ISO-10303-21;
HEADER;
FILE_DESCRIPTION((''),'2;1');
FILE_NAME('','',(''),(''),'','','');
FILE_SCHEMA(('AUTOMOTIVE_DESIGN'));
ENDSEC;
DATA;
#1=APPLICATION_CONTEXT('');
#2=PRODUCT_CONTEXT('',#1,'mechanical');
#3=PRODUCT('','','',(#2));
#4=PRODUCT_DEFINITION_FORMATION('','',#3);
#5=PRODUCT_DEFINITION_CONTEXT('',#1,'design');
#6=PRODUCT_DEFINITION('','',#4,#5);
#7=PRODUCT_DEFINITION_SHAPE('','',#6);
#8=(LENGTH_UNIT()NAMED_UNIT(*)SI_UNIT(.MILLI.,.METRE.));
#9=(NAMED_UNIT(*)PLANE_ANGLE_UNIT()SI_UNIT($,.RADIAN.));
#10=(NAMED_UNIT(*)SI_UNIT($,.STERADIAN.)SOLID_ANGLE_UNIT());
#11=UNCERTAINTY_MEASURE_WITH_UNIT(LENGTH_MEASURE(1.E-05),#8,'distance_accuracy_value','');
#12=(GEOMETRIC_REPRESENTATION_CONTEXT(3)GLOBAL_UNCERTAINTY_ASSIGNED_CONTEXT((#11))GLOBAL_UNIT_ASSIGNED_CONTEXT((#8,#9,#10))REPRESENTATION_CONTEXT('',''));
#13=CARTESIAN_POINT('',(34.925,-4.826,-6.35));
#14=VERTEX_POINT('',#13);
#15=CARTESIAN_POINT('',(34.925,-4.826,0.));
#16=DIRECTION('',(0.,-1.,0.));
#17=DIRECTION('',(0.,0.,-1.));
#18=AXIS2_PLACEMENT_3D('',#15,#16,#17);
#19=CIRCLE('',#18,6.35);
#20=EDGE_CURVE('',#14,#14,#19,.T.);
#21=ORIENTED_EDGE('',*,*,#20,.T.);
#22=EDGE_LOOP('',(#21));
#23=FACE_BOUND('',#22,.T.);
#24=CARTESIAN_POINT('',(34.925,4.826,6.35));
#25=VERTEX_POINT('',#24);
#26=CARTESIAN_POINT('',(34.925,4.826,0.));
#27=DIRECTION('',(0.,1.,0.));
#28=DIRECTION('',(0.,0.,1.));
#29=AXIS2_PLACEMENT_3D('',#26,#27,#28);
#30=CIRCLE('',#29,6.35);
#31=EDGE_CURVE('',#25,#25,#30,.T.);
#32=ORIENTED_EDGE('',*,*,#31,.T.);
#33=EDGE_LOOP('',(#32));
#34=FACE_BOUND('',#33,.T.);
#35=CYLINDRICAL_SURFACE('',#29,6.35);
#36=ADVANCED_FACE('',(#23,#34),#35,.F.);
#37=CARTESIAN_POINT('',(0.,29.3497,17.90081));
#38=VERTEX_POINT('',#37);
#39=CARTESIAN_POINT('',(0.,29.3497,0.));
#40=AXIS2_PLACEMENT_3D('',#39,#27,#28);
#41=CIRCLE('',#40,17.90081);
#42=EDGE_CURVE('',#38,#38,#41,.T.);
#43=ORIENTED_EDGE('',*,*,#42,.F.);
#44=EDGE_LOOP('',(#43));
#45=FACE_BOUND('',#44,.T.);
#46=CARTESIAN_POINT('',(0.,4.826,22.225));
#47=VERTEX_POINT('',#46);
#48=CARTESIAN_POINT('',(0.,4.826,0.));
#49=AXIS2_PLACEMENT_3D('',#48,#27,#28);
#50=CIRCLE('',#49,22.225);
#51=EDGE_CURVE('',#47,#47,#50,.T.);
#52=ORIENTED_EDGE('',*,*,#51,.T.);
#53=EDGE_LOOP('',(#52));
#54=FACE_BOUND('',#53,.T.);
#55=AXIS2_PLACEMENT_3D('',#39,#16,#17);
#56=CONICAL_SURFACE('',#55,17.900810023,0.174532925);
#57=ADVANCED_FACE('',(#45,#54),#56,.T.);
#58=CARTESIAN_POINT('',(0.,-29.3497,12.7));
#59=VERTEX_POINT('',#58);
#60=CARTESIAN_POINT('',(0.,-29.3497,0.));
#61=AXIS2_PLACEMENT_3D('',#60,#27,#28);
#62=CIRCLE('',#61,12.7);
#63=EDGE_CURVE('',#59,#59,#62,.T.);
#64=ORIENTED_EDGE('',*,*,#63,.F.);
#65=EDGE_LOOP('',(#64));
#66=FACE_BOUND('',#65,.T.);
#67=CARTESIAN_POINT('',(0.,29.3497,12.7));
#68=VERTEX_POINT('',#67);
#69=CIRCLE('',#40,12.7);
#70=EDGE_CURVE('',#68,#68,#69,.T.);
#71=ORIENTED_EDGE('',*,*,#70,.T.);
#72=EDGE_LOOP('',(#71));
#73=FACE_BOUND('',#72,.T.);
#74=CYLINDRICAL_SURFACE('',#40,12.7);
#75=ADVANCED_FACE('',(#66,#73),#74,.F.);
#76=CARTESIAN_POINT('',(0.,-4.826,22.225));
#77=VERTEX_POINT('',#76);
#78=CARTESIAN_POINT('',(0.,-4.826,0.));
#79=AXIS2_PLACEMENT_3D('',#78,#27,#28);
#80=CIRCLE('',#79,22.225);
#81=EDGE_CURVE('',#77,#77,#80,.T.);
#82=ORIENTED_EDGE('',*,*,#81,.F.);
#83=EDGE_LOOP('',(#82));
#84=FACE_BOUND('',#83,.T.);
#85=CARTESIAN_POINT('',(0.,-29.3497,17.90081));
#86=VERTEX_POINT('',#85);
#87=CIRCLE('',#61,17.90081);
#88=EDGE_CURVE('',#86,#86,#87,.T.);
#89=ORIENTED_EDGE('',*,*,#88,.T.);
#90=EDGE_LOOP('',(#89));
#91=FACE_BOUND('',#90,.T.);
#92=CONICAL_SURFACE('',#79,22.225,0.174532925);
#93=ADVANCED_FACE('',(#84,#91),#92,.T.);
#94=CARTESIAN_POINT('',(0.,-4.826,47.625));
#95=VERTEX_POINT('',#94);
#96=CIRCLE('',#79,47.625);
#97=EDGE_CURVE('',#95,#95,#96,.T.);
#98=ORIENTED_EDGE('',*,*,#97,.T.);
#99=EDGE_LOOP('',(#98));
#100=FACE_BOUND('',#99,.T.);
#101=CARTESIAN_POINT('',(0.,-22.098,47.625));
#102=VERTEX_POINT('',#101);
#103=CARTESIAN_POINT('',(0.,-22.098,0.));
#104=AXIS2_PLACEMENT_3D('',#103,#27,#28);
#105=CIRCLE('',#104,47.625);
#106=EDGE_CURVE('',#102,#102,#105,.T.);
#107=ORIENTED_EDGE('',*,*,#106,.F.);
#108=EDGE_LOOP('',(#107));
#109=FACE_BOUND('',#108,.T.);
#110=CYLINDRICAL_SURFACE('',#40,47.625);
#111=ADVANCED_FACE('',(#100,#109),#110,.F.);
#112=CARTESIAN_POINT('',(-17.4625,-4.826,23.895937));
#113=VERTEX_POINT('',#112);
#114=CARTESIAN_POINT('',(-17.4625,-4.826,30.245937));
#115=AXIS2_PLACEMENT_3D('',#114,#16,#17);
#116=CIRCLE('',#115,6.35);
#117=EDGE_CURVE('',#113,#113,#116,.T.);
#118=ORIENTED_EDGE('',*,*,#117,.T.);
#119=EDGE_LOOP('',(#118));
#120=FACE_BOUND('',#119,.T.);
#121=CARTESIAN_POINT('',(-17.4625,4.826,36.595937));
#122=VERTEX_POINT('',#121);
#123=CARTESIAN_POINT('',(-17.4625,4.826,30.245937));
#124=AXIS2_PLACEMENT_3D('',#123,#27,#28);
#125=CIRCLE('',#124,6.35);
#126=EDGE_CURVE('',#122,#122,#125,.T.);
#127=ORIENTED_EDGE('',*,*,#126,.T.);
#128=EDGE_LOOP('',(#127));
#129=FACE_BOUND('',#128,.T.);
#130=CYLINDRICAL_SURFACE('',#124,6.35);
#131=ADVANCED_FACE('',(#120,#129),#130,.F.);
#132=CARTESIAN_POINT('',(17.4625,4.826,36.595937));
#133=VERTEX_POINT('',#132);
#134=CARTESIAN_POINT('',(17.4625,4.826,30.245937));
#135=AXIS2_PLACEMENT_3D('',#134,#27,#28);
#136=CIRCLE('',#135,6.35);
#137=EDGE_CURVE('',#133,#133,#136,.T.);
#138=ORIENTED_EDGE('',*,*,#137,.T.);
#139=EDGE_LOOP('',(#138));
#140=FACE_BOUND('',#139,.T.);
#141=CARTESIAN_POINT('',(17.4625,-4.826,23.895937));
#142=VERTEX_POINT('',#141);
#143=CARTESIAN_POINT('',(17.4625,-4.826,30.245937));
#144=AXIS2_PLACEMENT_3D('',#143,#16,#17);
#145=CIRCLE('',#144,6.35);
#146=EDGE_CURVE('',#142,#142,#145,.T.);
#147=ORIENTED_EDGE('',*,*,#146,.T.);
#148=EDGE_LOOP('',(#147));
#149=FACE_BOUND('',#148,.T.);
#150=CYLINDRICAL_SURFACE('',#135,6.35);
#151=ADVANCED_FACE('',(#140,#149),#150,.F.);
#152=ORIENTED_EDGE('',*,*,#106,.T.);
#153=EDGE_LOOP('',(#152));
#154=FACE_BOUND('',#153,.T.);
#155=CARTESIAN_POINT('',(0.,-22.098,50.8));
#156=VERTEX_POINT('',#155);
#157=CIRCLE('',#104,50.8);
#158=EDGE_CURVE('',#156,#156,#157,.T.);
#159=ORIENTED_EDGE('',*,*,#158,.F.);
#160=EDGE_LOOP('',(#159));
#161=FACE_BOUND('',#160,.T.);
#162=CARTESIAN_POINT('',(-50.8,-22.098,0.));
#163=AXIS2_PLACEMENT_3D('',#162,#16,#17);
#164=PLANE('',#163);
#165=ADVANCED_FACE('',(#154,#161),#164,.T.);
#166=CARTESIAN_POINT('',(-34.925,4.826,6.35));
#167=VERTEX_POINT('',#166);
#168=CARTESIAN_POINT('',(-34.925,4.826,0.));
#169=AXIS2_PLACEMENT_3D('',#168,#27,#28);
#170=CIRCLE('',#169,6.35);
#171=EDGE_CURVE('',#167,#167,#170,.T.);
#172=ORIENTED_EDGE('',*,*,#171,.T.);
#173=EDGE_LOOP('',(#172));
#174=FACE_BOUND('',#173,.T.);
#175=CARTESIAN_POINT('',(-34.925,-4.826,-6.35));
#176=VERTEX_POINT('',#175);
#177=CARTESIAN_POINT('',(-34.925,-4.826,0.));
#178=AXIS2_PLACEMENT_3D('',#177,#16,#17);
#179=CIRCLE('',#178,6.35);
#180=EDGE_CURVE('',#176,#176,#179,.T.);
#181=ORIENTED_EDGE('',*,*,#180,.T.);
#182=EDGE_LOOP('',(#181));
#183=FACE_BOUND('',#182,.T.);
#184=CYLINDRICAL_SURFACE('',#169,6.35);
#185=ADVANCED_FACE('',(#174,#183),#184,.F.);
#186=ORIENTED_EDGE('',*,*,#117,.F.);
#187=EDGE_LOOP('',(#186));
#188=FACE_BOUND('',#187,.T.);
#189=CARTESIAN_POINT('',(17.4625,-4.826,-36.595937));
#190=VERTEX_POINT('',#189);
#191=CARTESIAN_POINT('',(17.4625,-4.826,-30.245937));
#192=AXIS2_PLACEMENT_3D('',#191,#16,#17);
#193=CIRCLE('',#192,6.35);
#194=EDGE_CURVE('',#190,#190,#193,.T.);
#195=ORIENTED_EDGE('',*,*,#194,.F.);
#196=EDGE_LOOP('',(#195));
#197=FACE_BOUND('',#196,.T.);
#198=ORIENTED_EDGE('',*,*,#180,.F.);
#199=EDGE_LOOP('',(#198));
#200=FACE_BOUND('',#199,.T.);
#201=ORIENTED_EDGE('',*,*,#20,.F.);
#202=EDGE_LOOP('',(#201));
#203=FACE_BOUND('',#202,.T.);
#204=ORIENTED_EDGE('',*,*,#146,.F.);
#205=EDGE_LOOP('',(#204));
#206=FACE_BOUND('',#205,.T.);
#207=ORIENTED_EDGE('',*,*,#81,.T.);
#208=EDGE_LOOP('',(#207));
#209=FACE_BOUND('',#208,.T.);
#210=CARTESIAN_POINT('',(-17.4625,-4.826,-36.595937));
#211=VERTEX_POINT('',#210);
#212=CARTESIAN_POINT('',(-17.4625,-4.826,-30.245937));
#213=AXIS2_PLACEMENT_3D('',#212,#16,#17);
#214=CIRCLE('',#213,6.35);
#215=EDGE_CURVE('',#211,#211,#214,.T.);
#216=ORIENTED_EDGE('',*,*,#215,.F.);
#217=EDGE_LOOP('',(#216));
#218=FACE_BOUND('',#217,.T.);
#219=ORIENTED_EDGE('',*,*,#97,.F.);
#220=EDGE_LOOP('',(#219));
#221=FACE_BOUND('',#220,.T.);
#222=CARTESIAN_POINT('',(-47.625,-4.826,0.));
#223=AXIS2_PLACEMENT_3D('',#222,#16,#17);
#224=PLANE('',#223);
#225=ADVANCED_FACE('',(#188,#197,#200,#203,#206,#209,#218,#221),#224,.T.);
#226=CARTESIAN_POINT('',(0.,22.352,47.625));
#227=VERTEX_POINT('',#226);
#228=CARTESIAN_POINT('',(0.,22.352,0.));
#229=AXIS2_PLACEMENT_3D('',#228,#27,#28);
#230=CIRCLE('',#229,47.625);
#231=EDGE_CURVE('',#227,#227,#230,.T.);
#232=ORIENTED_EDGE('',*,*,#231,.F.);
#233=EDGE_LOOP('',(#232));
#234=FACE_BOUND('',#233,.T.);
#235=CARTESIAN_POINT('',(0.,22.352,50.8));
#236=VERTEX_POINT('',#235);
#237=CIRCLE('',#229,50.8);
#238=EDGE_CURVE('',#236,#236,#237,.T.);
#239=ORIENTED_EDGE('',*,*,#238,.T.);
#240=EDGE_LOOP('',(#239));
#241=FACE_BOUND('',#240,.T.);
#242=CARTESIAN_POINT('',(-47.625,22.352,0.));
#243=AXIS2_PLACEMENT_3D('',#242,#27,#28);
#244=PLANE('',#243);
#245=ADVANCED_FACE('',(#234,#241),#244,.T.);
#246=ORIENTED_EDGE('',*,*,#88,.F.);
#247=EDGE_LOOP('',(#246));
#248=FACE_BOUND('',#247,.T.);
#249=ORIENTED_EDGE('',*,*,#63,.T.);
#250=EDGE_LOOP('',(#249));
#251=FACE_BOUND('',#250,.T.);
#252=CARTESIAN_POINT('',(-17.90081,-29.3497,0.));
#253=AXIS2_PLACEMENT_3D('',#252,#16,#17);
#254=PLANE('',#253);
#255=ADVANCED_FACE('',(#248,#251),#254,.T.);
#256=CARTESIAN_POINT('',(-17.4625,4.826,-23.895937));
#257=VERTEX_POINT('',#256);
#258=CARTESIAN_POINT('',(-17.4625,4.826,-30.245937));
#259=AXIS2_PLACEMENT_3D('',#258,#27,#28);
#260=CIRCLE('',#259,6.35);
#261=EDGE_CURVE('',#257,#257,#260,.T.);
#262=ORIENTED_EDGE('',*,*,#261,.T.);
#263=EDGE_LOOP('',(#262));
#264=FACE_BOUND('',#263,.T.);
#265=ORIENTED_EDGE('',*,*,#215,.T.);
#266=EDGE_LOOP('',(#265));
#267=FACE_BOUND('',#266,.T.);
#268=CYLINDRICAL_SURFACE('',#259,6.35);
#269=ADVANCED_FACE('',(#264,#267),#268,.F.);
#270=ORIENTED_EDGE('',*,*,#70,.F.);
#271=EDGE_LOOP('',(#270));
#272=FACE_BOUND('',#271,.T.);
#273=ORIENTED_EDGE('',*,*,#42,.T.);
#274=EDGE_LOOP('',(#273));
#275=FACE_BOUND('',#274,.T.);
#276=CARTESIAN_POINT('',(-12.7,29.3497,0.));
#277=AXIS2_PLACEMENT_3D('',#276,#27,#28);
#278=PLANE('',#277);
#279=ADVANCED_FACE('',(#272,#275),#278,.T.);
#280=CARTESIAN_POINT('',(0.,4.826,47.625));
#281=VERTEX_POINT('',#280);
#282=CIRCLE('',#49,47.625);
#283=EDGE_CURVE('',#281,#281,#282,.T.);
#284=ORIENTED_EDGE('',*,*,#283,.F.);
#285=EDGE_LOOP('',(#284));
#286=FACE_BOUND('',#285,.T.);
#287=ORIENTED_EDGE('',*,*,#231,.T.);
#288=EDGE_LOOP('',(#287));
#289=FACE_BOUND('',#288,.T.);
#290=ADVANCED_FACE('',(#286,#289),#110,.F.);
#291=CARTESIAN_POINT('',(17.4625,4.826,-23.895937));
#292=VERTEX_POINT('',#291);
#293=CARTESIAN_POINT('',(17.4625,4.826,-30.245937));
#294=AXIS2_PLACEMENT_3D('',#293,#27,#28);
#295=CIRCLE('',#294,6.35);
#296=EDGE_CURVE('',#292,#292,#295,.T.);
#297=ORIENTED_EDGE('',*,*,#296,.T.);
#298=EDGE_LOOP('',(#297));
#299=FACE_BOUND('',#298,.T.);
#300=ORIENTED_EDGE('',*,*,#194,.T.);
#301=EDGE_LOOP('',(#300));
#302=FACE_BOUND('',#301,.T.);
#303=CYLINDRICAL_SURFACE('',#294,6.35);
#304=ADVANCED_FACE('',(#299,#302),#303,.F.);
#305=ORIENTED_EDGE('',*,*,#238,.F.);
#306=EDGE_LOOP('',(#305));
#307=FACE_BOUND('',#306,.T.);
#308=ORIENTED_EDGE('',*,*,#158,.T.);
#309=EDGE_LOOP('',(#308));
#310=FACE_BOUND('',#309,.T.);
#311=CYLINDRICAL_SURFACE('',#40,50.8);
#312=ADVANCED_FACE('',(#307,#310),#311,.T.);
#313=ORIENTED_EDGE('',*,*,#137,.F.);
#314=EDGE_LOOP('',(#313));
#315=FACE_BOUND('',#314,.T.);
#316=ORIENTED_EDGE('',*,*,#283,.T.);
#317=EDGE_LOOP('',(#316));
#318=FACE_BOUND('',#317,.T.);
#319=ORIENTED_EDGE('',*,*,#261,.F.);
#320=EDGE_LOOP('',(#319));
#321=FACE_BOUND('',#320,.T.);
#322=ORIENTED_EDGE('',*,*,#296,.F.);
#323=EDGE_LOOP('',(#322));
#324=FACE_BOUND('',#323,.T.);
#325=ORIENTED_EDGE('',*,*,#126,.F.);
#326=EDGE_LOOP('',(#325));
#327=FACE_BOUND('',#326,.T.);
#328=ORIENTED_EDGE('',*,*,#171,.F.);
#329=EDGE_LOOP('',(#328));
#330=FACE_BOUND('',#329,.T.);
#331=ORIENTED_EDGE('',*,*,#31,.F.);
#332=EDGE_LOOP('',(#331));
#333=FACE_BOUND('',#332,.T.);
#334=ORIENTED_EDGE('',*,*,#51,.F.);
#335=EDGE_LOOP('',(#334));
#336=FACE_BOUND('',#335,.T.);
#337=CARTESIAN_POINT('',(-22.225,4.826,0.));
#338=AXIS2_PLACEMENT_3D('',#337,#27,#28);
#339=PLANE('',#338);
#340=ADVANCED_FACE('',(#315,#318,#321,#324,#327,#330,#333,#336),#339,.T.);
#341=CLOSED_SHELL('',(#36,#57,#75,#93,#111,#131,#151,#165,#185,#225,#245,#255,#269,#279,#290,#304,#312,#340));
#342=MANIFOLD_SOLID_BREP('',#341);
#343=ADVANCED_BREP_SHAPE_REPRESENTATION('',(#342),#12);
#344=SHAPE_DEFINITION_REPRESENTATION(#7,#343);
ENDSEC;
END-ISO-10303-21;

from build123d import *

# Parameters (mm, degrees)
F_1_2_0_5_DIAMETER_HOLE1_D = 12.7


with BuildPart() as part:
    # Sketch1 → Revolve1 (revolve)
    with BuildSketch(Plane.XY):
        Polygon((-12.7, 29.3497), (-17.900810023, 29.3497), (-22.225, 4.826), (-47.625, 4.826), (-47.625, 22.352), (-50.8, 22.352), (-50.8, -22.098), (-47.625, -22.098), (-47.625, -4.826), (-22.225, -4.826), (-17.900810023, -29.3497), (-12.7, -29.3497), align=None)
    revolve(axis=Axis((0, 29.3497, 0), (0, -1, 0)))

    # 1/2 (0.5) Diameter Hole1 (through all)
    with Locations(Plane(origin=(0, 4.826, 0), x_dir=(1, 0, 0), z_dir=(0, 1, 0))):
        with Locations((-17.4625, 30.245937227), (17.4625, 30.245937227), (-34.925, 0), (34.925, 0), (-17.4625, -30.245937227), (17.4625, -30.245937227)):
            Hole(F_1_2_0_5_DIAMETER_HOLE1_D / 2)


solid = part.part
